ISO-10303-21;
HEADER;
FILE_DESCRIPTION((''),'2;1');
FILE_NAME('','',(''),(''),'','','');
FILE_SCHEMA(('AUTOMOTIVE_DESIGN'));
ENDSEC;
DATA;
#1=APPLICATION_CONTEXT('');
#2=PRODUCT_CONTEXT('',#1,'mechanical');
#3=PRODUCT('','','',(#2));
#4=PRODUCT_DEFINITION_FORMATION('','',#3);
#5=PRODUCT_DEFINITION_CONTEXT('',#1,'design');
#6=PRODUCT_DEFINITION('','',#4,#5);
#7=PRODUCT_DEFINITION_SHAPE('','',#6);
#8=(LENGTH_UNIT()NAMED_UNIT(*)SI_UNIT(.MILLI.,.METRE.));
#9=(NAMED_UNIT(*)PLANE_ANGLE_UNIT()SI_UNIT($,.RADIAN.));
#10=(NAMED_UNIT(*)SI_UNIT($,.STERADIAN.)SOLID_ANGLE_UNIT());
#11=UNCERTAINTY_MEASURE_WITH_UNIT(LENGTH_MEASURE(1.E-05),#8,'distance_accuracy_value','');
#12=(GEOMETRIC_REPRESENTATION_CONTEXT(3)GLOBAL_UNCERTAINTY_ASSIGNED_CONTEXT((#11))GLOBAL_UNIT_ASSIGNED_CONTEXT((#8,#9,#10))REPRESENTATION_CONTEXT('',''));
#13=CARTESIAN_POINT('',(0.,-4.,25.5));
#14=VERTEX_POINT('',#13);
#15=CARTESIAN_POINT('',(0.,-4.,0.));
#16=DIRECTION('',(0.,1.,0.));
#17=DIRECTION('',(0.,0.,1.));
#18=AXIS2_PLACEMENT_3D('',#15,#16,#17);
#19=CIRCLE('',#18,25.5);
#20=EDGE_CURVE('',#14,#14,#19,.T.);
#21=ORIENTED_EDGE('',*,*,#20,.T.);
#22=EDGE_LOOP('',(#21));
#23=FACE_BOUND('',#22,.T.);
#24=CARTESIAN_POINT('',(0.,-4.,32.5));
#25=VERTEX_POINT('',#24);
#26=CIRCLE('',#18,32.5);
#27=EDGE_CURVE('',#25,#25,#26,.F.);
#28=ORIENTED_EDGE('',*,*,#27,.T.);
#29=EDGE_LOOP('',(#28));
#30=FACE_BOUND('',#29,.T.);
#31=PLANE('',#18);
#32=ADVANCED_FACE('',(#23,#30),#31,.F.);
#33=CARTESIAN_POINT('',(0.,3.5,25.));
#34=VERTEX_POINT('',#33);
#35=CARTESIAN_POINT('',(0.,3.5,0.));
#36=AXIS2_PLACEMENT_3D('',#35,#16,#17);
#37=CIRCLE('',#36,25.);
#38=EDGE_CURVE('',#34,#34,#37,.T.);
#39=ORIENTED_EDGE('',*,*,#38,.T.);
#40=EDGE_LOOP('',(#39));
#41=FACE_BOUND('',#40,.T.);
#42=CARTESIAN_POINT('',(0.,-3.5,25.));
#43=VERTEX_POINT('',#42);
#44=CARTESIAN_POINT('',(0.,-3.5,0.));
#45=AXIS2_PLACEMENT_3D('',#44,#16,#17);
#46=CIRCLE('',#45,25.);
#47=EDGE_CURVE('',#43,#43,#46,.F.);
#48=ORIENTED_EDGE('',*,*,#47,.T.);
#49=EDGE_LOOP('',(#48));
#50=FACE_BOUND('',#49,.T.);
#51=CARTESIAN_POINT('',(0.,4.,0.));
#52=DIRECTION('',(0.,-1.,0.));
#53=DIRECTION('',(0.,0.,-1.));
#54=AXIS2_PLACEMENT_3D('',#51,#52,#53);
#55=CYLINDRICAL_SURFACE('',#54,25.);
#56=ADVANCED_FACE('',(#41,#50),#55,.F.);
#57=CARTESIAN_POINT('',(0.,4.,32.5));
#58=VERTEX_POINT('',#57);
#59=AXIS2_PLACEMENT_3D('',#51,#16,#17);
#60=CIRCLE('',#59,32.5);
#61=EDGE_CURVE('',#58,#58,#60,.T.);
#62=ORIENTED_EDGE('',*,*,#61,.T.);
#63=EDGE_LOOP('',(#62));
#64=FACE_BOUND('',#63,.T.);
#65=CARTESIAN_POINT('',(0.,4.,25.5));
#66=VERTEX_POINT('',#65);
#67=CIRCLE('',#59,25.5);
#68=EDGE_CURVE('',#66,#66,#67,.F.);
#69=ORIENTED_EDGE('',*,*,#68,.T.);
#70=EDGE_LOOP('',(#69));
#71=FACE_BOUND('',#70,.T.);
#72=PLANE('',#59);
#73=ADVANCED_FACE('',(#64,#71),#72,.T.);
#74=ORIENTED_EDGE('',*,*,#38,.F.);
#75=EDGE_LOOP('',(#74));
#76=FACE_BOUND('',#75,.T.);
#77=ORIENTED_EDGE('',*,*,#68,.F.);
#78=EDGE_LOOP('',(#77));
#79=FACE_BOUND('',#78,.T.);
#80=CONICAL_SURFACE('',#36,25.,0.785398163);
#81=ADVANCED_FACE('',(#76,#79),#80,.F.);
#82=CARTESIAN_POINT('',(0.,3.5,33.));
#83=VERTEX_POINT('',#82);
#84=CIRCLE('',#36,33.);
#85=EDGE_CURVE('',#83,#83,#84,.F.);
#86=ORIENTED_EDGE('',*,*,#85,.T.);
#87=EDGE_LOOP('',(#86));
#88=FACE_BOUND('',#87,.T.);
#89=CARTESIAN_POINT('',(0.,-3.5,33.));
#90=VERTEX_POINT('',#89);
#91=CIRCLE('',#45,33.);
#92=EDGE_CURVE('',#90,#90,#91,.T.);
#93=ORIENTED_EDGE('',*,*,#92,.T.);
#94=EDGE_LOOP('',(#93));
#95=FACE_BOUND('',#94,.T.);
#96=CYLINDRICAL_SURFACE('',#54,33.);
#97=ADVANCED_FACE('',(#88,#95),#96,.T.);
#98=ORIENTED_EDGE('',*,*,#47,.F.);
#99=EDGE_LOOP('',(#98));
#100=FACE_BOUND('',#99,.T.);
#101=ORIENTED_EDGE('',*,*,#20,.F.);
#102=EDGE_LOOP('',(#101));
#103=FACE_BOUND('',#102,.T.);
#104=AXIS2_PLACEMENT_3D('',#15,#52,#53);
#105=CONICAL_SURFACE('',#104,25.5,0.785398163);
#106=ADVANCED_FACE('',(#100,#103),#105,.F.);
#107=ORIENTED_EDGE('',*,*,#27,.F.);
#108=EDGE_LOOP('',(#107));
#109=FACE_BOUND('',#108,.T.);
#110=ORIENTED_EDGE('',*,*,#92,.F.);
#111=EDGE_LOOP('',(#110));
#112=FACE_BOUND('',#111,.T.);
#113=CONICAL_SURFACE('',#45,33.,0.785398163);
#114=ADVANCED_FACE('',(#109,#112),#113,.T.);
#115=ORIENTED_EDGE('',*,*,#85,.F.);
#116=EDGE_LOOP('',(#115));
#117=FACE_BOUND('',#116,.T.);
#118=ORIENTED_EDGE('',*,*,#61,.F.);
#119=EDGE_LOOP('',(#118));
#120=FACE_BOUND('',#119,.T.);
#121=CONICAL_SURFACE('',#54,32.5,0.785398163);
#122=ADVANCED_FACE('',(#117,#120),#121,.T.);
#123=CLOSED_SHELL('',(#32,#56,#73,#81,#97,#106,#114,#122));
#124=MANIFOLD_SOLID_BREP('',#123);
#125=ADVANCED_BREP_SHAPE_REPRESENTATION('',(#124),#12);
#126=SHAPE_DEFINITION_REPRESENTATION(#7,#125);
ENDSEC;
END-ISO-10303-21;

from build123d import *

# Parameters (mm, degrees)
SKETCH_2_R      = 33
SKETCH_2_R_2    = 25
EXTRUDE_1_DEPTH = 4
CHAMFER_1_SIZE  = 0.5


with BuildPart() as part:
    # 草图2 → 凸台-拉伸1 (new, symmetric)
    with BuildSketch(Plane(origin=(0, 0, 0), x_dir=(1, 0, 0), z_dir=(0, 1, 0))):
        with Locations(Location((0, 0, 0), (0, 0, 270))):
            Circle(SKETCH_2_R)
        with Locations(Location((0, 0, 0), (0, 0, 270))):
            Circle(SKETCH_2_R_2, mode=Mode.SUBTRACT)
    extrude(amount=EXTRUDE_1_DEPTH, both=True)

    # 倒角1
    chamfer_1_edges = [part.edges().sort_by_distance(p)[0] for p in [
        (0, -4, -33),
        (0, 4, -33),
        (0, -4, -25),
        (0, 4, -25),
    ]]
    chamfer(chamfer_1_edges, length=CHAMFER_1_SIZE)


solid = part.part
